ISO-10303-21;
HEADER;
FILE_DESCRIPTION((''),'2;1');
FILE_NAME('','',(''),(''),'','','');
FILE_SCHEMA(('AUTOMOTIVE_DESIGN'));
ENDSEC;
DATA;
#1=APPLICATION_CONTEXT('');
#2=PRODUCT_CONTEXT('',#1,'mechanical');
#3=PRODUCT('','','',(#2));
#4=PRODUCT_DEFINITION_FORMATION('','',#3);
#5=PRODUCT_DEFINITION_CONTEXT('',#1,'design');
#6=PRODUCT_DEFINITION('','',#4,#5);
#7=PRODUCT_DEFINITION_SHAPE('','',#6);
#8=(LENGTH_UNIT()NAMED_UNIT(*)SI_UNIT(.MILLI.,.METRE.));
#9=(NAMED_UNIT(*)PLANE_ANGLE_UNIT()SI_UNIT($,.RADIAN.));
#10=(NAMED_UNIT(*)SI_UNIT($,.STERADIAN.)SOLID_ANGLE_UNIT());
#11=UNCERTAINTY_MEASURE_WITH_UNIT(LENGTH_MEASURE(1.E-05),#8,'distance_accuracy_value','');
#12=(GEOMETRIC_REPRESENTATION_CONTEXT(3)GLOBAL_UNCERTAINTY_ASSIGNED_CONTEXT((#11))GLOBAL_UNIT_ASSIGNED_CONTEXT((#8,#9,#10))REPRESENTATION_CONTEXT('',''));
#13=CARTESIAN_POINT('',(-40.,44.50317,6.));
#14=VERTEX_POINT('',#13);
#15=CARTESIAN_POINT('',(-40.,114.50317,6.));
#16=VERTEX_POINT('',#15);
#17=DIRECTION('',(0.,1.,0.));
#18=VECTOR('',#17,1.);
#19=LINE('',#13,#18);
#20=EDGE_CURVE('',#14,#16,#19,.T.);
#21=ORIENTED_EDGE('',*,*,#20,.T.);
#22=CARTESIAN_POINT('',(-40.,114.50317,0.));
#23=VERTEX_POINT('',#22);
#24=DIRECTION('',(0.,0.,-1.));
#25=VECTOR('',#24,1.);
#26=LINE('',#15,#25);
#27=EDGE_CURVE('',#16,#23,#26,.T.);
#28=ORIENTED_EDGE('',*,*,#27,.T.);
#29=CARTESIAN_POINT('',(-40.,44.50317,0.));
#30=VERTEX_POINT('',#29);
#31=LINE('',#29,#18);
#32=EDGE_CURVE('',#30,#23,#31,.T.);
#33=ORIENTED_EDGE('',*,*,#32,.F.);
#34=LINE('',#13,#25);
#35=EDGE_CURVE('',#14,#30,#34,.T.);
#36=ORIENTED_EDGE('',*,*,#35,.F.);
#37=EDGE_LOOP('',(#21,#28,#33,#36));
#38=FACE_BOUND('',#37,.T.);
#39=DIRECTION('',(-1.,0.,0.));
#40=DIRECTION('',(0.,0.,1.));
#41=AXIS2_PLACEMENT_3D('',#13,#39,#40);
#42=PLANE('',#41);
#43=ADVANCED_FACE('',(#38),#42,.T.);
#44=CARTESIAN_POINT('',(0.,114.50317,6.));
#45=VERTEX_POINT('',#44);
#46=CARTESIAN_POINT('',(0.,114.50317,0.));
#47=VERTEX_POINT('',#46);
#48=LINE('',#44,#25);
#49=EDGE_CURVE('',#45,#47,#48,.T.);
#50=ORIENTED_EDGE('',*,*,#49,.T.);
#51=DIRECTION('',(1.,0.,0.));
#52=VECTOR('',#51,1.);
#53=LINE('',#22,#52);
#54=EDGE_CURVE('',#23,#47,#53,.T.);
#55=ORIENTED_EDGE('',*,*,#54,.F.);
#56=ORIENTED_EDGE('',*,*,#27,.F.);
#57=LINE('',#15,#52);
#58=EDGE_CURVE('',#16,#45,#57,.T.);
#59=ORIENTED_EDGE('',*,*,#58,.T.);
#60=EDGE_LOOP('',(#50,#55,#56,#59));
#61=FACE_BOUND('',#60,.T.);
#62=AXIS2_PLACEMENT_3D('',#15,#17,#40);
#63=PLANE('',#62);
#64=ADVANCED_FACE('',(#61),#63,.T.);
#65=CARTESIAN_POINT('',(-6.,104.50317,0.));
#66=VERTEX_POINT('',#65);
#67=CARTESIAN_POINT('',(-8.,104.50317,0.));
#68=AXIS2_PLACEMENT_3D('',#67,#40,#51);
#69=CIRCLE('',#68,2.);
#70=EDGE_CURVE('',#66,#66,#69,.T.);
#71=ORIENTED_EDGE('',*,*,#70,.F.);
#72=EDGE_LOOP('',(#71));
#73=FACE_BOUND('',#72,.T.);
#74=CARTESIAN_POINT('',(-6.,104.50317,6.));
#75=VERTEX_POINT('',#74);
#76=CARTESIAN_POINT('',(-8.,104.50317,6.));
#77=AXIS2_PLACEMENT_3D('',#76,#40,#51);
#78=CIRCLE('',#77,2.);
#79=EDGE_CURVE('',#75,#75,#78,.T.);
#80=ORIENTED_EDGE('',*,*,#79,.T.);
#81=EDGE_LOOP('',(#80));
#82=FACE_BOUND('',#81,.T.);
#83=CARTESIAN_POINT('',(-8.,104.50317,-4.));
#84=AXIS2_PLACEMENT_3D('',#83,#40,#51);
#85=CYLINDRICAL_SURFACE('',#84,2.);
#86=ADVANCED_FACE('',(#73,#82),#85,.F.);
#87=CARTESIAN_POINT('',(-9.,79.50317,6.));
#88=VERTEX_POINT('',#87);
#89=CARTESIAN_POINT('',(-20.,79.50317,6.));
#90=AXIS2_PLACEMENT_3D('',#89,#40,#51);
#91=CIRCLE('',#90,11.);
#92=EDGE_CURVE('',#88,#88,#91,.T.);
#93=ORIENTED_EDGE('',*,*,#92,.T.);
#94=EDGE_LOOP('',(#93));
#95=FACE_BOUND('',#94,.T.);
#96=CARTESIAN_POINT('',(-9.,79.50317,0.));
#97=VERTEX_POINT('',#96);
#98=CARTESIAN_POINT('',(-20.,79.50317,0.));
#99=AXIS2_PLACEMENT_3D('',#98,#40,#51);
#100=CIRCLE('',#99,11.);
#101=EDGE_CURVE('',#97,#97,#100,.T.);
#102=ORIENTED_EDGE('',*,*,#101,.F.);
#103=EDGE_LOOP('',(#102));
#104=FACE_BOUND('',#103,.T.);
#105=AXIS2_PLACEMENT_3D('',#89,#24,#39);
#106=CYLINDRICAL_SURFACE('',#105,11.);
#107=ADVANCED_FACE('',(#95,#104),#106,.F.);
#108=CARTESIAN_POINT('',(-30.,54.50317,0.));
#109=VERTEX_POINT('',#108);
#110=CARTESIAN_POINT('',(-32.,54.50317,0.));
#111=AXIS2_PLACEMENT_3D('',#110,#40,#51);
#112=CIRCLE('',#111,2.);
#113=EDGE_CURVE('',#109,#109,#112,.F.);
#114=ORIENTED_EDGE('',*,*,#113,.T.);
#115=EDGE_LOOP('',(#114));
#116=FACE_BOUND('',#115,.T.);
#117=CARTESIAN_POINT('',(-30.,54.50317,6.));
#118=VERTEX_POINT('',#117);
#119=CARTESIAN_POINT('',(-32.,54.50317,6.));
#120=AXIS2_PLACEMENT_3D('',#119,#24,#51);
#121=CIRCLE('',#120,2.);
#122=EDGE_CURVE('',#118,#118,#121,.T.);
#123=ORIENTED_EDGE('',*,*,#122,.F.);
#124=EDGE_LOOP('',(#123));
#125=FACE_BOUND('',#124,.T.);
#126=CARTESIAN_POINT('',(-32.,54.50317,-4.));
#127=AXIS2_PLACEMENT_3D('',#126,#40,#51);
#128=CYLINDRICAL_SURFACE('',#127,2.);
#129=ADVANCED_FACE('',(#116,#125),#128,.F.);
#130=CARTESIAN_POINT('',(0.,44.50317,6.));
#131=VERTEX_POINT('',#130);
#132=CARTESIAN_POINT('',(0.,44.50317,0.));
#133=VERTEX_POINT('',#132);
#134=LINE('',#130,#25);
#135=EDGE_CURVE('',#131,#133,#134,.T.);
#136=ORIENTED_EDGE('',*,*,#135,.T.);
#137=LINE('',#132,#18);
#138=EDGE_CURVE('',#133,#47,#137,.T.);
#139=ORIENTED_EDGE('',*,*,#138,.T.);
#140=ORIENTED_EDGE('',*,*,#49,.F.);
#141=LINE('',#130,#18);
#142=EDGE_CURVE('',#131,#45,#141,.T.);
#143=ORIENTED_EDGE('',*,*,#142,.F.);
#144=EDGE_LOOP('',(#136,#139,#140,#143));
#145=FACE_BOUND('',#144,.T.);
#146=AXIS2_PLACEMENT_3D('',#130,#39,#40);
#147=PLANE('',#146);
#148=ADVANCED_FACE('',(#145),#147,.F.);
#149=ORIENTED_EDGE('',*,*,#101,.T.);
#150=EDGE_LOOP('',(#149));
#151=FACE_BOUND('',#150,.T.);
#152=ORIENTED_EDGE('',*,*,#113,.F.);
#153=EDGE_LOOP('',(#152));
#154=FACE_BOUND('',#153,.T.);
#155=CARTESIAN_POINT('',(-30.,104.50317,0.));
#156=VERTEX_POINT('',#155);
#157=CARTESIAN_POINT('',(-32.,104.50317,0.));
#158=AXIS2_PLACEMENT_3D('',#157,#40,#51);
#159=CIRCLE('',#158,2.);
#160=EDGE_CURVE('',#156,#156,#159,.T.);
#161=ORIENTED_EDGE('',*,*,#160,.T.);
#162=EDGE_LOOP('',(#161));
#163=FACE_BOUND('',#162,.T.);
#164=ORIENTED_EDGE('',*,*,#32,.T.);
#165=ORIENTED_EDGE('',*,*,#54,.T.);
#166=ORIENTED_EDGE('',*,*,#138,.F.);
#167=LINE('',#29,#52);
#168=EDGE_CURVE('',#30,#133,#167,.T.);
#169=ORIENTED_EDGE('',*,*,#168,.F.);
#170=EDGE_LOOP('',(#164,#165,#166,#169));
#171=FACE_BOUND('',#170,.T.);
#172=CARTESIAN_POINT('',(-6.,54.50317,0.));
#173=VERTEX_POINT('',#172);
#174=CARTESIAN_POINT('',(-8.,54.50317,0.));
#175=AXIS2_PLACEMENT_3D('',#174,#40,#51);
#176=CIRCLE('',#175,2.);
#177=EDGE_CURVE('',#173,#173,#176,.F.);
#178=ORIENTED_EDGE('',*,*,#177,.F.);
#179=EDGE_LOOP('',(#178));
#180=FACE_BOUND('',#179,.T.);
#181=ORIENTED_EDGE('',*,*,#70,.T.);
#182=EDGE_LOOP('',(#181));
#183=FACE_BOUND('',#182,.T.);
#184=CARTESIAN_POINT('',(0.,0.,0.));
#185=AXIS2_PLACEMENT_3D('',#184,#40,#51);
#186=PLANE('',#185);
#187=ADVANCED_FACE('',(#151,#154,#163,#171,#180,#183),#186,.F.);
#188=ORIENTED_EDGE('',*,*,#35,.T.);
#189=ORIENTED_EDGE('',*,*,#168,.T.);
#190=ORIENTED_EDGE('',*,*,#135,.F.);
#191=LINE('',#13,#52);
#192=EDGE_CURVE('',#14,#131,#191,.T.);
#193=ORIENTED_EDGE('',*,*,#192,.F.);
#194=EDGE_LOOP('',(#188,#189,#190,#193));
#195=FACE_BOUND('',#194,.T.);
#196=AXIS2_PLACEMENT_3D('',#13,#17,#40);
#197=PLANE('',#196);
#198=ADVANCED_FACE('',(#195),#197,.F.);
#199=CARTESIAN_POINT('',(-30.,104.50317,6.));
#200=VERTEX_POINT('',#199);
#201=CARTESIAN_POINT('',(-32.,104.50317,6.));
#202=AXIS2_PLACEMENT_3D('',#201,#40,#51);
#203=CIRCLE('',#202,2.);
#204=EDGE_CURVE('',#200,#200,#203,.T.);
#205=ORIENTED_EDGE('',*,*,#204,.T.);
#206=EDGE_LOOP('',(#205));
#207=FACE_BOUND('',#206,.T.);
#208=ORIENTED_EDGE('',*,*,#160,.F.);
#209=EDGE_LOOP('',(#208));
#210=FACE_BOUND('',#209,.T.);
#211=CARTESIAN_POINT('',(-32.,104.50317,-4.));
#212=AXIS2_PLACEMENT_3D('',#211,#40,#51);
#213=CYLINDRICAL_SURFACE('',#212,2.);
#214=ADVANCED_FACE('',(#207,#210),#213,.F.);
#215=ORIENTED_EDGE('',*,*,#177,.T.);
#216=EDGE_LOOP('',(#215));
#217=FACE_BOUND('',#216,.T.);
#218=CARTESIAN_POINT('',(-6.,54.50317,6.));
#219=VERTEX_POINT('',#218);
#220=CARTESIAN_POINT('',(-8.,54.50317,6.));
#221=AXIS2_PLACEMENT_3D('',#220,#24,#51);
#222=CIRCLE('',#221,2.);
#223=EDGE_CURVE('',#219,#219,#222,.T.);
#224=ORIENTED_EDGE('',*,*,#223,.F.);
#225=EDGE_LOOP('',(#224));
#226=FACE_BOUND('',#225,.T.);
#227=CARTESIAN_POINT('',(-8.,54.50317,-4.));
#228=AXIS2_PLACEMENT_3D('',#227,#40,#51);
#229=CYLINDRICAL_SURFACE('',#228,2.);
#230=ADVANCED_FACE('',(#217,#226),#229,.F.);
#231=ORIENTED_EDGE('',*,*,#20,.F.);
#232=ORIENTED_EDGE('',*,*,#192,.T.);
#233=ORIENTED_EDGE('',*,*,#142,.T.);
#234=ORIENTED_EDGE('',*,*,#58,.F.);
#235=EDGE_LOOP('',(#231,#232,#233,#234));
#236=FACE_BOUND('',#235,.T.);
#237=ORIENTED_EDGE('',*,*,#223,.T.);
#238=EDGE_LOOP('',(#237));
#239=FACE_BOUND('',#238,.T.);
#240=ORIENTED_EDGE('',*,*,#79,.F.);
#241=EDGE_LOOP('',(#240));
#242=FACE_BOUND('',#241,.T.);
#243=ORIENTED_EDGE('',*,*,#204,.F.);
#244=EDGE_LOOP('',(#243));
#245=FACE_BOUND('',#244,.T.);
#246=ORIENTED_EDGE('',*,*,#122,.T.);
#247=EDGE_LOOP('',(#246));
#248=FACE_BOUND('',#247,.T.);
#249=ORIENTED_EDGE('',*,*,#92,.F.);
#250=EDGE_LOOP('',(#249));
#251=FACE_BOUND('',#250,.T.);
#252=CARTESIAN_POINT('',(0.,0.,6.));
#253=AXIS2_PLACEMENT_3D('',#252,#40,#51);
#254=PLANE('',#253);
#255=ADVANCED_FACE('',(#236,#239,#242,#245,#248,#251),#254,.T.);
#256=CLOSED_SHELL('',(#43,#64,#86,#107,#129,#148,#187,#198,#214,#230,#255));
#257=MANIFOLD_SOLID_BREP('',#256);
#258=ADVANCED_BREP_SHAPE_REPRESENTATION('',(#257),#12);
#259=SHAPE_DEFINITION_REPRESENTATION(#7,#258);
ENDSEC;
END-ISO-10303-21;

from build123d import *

# Parameters (mm, degrees)
SKETCH_1_W          = 40
SKETCH_1_H          = 70
SKETCH_1_R          = 11
EXTRUDE_1_DEPTH     = 6
SKETCH_2_R          = 2
CUT_EXTRUDE_1_DEPTH = 10


with BuildPart() as part:
    # 草图1 → 凸台-拉伸1 (new body)
    with BuildSketch(Plane.XY):
        with Locations((-20, 79.503169777)):
            Rectangle(SKETCH_1_W, SKETCH_1_H)
        with Locations((-20, 79.503169777)):
            Circle(SKETCH_1_R, mode=Mode.SUBTRACT)
    extrude(amount=EXTRUDE_1_DEPTH)

    # 草图2 → 切除-拉伸1 (cut)
    with BuildSketch(Plane.XY.offset(6)):
        with Locations((-32, 104.503169777)):
            Circle(SKETCH_2_R)
        with Locations((-8, 104.503169777)):
            Circle(SKETCH_2_R)
    cut_extrude_1 = extrude(amount=-CUT_EXTRUDE_1_DEPTH, mode=Mode.SUBTRACT)

    # 镜向1: 切除-拉伸1 across plane
    add(cut_extrude_1.mirror(Plane.ZX.offset(79.503169777)), mode=Mode.SUBTRACT)


solid = part.part
